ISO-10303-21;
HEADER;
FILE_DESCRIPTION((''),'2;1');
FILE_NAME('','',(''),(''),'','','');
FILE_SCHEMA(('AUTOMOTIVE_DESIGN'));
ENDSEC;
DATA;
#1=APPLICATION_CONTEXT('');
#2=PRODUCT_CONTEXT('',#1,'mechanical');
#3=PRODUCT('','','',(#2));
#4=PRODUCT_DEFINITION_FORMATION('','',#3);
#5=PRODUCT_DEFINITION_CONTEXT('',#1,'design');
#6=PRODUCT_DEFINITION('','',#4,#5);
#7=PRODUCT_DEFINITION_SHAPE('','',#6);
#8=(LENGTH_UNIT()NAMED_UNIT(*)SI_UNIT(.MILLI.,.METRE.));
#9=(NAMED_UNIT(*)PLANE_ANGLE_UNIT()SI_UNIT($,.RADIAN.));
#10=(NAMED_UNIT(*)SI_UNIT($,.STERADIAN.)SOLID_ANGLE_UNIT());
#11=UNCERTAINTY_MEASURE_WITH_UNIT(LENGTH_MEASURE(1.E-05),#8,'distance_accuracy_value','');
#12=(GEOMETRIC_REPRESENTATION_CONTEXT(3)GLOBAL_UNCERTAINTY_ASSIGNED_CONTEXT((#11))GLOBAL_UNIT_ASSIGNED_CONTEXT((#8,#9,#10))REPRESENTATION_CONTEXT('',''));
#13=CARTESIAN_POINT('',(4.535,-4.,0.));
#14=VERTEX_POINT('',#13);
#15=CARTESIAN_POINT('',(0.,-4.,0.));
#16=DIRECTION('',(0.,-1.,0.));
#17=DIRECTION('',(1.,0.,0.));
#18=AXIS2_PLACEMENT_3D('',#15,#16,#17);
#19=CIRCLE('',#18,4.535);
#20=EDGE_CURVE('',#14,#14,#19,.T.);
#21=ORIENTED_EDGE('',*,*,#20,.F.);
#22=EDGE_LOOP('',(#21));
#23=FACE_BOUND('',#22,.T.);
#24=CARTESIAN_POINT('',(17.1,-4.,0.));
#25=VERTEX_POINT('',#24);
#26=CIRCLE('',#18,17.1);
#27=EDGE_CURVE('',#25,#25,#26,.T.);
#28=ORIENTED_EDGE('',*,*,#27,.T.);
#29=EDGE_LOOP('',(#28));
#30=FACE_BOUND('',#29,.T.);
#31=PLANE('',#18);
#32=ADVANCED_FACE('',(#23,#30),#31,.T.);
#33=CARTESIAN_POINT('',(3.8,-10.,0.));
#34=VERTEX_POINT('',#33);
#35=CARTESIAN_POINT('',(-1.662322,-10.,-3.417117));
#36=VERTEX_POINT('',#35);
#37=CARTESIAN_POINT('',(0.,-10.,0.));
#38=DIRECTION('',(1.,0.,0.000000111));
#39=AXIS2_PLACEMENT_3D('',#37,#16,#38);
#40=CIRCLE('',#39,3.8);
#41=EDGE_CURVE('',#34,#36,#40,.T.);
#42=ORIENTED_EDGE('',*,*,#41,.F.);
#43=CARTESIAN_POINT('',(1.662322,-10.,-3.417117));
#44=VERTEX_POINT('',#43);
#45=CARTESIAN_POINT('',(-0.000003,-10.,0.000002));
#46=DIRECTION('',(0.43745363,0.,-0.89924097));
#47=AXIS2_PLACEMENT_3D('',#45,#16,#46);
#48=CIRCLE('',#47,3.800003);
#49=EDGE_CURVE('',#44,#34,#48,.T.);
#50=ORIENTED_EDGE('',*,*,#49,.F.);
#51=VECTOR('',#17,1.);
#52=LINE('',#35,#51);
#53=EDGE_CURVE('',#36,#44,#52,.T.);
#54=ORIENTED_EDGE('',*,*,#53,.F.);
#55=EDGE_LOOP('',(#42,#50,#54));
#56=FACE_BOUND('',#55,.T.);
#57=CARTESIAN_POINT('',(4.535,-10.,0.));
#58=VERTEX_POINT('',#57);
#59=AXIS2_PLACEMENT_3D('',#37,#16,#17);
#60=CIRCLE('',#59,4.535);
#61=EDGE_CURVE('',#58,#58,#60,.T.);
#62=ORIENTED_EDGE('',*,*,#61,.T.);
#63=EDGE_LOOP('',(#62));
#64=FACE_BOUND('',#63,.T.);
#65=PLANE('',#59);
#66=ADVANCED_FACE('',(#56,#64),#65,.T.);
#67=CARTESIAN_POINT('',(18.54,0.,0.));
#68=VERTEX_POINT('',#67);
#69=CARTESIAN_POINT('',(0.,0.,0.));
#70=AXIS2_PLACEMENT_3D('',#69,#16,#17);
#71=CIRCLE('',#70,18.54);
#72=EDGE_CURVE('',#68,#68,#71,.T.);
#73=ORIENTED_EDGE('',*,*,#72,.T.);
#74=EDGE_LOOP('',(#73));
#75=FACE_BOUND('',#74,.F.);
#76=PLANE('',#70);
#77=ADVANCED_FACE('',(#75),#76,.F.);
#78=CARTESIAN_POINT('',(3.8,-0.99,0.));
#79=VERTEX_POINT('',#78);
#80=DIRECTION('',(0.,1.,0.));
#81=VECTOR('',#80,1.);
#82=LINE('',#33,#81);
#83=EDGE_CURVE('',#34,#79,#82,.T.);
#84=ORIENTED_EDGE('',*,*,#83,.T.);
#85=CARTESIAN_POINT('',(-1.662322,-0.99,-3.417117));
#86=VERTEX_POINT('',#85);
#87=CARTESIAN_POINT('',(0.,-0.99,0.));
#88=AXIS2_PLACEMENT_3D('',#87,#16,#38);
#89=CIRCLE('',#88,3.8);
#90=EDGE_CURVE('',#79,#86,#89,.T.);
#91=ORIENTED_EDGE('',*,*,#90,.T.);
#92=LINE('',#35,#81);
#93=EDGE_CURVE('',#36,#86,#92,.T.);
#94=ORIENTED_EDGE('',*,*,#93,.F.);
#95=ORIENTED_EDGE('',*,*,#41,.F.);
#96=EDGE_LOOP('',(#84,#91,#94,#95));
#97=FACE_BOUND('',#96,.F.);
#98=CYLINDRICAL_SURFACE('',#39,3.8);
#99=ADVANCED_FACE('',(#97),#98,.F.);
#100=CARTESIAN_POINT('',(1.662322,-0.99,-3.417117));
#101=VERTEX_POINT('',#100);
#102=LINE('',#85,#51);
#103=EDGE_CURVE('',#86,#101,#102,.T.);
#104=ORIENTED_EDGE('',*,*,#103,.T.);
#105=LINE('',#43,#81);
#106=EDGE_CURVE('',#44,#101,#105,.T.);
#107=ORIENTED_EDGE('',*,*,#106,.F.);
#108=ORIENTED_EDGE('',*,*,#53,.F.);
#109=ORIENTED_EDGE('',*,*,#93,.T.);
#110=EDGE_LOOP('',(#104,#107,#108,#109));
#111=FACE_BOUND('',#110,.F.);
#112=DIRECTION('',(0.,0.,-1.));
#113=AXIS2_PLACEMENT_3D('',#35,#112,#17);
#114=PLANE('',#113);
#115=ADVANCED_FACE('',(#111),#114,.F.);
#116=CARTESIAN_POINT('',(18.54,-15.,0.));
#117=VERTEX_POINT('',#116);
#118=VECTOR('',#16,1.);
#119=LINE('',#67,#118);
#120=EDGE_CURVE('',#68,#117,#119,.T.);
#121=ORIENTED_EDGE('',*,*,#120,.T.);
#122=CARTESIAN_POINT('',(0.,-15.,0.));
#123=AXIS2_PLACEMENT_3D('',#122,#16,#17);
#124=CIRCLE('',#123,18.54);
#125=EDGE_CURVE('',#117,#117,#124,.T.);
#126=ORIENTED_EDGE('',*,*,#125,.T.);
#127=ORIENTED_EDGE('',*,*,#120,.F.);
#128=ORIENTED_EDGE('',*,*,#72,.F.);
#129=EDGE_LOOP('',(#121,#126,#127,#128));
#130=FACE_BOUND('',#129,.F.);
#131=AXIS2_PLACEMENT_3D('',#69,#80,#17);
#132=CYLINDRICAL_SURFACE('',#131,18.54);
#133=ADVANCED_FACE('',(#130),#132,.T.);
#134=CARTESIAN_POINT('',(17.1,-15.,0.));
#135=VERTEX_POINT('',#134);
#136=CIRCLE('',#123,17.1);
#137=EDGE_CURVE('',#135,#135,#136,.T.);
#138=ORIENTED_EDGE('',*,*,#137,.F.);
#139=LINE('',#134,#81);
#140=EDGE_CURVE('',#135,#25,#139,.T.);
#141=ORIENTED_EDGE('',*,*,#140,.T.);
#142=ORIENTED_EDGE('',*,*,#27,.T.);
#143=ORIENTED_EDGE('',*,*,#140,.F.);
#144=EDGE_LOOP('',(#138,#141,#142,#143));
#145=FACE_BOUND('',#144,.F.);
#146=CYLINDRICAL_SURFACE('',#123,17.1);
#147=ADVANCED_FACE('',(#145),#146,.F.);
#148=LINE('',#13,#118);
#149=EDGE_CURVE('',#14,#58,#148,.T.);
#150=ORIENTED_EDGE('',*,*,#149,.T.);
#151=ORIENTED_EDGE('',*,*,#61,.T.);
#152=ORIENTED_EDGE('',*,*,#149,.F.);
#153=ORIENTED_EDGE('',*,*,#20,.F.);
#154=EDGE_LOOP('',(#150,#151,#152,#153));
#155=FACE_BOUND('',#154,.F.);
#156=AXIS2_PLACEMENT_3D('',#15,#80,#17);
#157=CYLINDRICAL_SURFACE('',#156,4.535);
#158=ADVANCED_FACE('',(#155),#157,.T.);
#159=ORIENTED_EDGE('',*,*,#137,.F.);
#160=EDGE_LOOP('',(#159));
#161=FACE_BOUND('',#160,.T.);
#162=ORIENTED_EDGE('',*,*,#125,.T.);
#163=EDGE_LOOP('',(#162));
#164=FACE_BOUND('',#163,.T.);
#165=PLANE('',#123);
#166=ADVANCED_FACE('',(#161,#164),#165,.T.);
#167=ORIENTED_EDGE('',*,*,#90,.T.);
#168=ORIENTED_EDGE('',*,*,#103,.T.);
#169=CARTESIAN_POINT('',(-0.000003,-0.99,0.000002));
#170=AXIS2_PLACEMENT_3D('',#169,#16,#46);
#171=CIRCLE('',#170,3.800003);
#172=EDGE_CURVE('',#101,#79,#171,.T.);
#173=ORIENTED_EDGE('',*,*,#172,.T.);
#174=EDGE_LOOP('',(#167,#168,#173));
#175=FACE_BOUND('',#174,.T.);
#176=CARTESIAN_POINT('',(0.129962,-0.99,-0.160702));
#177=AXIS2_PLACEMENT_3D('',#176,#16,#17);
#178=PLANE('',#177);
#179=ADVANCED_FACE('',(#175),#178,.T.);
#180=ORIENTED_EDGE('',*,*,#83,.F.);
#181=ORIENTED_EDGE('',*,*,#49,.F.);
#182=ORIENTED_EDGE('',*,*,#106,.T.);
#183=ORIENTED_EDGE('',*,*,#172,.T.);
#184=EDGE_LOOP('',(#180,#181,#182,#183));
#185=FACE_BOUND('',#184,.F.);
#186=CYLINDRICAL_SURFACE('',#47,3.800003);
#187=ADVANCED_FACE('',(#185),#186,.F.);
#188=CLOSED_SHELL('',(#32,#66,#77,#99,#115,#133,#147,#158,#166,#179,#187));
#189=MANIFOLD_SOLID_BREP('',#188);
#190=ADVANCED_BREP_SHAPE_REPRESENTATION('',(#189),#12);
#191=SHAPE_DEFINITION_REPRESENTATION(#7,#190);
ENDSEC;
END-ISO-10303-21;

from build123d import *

# Parameters (mm, degrees)
F0_R     = 18.54
F1_DEPTH = 15
F2_R     = 17.1
F3_DEPTH = 11
F5_R     = 4.535
F6_DEPTH = 6
F9_DEPTH = 9.01


with BuildPart() as f1:
    # F0 (on Front) → F1 (new body)
    with BuildSketch(Plane.XZ):
        Circle(F0_R)
        with BuildLine():
            ThreePointArc((-2.5, -3.783679), (-2.148107, 3.993978), (4.535, 0))
            ThreePointArc((4.535, 0), (3.993978, -2.148107), (2.5, -3.783679))
            ThreePointArc((2.5, -3.783679), (0, -4.535), (-2.5, -3.783679))
        make_face(mode=Mode.SUBTRACT)
        with BuildLine():
            ThreePointArc((2.5, -3.783679), (3.993978, -2.148107), (4.535, 0))
            ThreePointArc((4.535, 0), (-2.148107, 3.993978), (-2.5, -3.783679))
            Line((-2.5, -3.783679), (2.5, -3.783679))
        make_face()
        with BuildLine():
            Line((2.5, -3.783679), (-2.5, -3.783679))
            ThreePointArc((-2.5, -3.783679), (0, -4.535), (2.5, -3.783679))
        make_face()
    extrude(amount=F1_DEPTH)

    # F2 (on face) → F3 (cut)
    with BuildSketch(Plane.XZ.offset(15)):
        Circle(F2_R)
    extrude(amount=-F3_DEPTH, mode=Mode.SUBTRACT)

    # F5 (on face) → F6 (join)
    with BuildSketch(Plane.XZ.offset(4)):
        Circle(F5_R)
    extrude(amount=F6_DEPTH)

    # F8 (on face) → F9 (cut)
    with BuildSketch(Plane.XZ.offset(10)):
        with BuildLine():
            ThreePointArc((1.662322, -3.417117), (3.221554, -2.015338), (3.8, 0))
            ThreePointArc((3.8, 0), (-2.015338, 3.221554), (-1.662322, -3.417117))
            Line((-1.662322, -3.417117), (1.662322, -3.417117))
        make_face()
    extrude(amount=-F9_DEPTH, mode=Mode.SUBTRACT)


solid = f1.part
